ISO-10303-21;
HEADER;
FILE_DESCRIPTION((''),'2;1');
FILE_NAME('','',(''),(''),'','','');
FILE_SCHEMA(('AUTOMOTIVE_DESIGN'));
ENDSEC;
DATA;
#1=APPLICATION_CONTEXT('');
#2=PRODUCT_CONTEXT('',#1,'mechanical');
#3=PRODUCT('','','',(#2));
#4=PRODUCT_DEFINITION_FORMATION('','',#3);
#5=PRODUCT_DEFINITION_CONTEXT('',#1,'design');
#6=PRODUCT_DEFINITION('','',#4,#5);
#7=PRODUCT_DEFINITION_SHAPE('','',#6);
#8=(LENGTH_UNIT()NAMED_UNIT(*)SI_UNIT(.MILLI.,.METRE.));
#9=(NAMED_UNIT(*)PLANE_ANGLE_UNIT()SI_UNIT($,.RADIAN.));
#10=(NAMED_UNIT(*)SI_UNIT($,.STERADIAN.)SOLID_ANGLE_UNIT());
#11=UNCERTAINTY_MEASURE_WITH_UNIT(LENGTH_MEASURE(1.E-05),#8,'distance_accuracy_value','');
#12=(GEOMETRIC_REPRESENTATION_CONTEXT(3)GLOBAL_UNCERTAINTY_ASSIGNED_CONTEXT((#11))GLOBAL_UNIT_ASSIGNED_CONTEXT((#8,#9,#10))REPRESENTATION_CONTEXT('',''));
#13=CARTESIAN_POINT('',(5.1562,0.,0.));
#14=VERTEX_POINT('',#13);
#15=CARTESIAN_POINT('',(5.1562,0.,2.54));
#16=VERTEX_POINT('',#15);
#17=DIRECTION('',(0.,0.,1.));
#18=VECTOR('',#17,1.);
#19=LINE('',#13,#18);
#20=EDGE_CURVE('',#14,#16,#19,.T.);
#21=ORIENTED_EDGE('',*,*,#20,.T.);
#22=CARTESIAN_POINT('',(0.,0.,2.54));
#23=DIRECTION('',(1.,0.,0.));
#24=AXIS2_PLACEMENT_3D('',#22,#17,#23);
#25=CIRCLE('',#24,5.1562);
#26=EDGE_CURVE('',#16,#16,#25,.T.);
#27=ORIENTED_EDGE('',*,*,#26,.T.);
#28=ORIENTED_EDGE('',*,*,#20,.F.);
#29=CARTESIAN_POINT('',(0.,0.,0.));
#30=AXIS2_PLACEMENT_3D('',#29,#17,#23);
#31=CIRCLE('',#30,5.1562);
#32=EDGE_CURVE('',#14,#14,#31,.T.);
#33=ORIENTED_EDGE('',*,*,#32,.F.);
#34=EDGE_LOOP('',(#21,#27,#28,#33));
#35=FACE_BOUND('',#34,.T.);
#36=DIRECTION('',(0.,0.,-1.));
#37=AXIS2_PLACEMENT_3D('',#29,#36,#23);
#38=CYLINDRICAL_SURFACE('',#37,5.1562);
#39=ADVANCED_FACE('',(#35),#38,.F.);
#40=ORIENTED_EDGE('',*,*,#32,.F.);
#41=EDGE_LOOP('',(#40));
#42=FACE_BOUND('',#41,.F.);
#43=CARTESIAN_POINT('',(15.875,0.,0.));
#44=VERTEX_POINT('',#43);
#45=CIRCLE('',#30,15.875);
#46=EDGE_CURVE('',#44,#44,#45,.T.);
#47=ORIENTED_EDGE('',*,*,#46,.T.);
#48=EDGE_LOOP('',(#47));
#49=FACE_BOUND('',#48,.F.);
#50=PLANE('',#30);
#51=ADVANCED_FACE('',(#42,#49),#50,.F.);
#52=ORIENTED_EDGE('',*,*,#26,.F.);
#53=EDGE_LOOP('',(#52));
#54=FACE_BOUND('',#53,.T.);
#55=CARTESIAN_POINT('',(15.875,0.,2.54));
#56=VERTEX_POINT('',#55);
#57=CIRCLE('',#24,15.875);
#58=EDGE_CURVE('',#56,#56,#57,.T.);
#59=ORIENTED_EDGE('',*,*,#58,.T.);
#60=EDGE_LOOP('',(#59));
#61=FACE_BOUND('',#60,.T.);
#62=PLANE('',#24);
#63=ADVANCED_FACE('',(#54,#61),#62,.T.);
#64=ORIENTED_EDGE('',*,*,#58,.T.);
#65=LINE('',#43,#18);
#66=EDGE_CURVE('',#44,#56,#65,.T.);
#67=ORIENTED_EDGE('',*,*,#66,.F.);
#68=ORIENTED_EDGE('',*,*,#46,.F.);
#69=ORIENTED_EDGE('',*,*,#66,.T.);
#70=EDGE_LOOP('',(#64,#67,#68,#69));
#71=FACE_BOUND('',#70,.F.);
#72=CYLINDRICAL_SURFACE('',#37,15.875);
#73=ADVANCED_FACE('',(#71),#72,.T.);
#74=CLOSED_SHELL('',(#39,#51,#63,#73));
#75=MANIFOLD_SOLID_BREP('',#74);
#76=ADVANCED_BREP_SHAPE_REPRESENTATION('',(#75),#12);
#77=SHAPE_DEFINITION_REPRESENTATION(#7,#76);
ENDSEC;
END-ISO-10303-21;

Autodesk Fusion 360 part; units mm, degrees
sketch "Sketch1" plane through (0, 0, 0) normal (0, 0, 1) x (1, 0, 0)
  circle A0 centre (0, 0) radius 15.875
  circle A1 centre (0, 0) radius 6.7437
  dimension "d4" = 31.75
  dimension "d5" = 13.4874
extrude "Extrude2" add sketch "Sketch1" along normal blind 2.54
equation "d4 = adsk_woutdia"
equation "d5 = adsk_windia"
equation "adsk_woutdia = 1.25 in"
equation "adsk_windia = 0.531 in"
equation "adsk_wthick = 0.10 in"
equation "d20 = adsk_wthick"
equation "d41 = adsk_wthick"
properties part number "PW ASME B18.21.1 - 1/2 - BR Steel 100 HV Zinc"

Autodesk Fusion 360 part; units mm, degrees
sketch "Sketch1" plane through (0, 0, 0) normal (0, 0, 1) x (1, 0, 0)
  circle A0 centre (0, 0) radius 15.875
  circle A1 centre (0, 0) radius 5.1562
  dimension "d4" = 31.75
  dimension "d5" = 10.3124
extrude "Extrude2" add sketch "Sketch1" along normal blind 2.54
equation "d4 = adsk_woutdia"
equation "d5 = adsk_windia"
equation "adsk_woutdia = 1.25 in"
equation "adsk_windia = 0.406 in"
equation "adsk_wthick = 0.10 in"
equation "d20 = adsk_wthick"
equation "d41 = adsk_wthick"
properties part number "PW ANSI B18.22.1 - 3/8 - BW Steel 100 HV Plain"
